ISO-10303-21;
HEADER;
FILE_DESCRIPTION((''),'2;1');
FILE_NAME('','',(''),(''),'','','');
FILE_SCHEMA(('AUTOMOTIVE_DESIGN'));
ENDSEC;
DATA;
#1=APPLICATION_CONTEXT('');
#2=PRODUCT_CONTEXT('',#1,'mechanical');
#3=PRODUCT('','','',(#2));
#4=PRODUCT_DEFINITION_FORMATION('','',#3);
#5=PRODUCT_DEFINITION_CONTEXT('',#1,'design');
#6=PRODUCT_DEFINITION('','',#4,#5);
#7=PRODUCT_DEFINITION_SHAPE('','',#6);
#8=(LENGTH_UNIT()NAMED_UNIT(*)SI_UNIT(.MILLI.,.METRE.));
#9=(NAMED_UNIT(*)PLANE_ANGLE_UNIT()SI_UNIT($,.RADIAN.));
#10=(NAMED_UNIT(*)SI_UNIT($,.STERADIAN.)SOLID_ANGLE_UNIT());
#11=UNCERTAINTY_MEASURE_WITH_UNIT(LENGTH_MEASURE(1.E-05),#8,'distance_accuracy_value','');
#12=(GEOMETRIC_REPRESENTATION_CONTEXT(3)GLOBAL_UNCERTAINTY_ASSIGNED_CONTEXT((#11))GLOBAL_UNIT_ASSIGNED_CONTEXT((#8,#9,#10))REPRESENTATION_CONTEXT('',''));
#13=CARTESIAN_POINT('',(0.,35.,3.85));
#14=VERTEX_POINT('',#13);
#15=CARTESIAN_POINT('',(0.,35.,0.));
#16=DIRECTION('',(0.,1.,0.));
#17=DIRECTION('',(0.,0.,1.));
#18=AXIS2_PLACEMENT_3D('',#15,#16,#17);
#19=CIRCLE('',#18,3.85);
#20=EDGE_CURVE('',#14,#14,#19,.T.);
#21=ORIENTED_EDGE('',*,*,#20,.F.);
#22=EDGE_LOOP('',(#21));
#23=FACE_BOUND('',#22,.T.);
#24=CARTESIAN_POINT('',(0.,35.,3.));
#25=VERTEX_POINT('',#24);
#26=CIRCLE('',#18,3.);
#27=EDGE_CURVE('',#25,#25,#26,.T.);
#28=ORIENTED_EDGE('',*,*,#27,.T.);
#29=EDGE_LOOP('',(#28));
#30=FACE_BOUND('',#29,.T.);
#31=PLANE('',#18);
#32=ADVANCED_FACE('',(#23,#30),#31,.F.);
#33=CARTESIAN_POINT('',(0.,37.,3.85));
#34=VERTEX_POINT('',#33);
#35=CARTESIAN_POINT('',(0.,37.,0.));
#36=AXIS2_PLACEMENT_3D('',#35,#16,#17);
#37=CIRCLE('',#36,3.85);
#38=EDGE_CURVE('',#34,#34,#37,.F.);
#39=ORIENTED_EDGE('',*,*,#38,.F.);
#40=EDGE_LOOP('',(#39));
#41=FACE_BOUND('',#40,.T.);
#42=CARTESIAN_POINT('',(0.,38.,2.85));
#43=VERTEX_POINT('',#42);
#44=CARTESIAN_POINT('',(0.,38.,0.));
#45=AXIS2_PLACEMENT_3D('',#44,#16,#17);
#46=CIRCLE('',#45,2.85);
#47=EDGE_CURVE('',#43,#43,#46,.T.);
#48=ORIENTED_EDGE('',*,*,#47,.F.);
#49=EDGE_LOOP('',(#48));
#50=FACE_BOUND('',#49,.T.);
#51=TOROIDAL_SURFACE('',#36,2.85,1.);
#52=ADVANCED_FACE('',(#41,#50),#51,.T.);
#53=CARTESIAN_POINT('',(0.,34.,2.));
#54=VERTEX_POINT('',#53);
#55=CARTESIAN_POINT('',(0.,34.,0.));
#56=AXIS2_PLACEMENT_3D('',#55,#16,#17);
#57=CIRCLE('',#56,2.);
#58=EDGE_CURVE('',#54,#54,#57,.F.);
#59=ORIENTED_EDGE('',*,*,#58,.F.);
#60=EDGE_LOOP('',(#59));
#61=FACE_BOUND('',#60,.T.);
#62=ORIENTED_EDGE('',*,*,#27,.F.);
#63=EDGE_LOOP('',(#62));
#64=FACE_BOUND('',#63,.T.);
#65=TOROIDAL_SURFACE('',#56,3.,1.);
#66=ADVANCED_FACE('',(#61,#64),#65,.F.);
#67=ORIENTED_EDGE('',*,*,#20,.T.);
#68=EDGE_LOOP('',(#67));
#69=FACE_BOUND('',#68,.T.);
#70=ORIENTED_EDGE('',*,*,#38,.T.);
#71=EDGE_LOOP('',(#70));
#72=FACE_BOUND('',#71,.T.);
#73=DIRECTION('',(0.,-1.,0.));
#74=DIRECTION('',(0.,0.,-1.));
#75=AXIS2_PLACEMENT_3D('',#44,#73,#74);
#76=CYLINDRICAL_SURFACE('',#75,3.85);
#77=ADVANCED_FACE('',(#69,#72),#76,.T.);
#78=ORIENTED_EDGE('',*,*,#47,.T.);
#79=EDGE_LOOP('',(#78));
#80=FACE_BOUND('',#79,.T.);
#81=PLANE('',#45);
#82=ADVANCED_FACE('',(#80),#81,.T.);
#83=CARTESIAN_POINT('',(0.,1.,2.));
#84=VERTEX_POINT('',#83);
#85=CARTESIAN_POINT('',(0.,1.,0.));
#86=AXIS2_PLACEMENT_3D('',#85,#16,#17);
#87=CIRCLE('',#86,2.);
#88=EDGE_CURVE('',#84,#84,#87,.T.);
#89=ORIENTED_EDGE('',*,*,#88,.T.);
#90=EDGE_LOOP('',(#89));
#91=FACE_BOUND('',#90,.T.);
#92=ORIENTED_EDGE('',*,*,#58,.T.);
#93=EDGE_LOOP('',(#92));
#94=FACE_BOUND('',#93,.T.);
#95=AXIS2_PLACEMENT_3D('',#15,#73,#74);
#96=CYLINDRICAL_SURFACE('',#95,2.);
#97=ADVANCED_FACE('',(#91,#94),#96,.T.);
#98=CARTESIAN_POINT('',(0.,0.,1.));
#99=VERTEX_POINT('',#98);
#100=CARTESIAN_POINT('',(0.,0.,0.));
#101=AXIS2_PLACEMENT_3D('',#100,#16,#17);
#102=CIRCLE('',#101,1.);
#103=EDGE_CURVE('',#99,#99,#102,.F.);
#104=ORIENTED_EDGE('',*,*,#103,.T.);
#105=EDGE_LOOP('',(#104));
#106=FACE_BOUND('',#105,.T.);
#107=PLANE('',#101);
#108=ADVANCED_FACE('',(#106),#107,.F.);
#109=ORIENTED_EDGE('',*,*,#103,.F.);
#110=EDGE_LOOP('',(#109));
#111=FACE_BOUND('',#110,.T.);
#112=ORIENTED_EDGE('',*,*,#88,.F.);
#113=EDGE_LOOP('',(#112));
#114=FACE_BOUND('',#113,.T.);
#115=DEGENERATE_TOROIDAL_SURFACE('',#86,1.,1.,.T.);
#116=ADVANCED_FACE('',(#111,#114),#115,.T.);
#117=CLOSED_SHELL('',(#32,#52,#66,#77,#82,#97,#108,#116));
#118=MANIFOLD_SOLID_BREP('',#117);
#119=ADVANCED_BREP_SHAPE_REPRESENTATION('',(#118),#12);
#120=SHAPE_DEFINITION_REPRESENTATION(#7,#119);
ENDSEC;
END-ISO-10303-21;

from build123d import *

# Parameters (mm, degrees)
SKETCH1_R           = 2
BOSS_EXTRUDE1_DEPTH = 35
SKETCH2_R           = 3.85
BOSS_EXTRUDE2_DEPTH = 3
FILLET1_R           = 1
FILLET2_R           = 1


with BuildPart() as part:
    # Sketch1 → Boss-Extrude1 (new body)
    with BuildSketch(Plane(origin=(0, 0, 0), x_dir=(1, 0, 0), z_dir=(0, 1, 0))):
        Circle(SKETCH1_R)
    extrude(amount=BOSS_EXTRUDE1_DEPTH)

    # Sketch2 → Boss-Extrude2 (add)
    with BuildSketch(Plane(origin=(0, 35, 0), x_dir=(1, 0, 0), z_dir=(0, 1, 0))):
        Circle(SKETCH2_R)
    extrude(amount=BOSS_EXTRUDE2_DEPTH)

    # Fillet1
    fillet1_edges = [part.edges().sort_by_distance(p)[0] for p in [
        (-3.85, 38, 0),
    ]]
    fillet(fillet1_edges, radius=FILLET1_R)

    # Fillet2
    fillet2_edges = [part.edges().sort_by_distance(p)[0] for p in [
        (-2, 0, 0),
        (-2, 35, 0),
    ]]
    fillet(fillet2_edges, radius=FILLET2_R)


solid = part.part
